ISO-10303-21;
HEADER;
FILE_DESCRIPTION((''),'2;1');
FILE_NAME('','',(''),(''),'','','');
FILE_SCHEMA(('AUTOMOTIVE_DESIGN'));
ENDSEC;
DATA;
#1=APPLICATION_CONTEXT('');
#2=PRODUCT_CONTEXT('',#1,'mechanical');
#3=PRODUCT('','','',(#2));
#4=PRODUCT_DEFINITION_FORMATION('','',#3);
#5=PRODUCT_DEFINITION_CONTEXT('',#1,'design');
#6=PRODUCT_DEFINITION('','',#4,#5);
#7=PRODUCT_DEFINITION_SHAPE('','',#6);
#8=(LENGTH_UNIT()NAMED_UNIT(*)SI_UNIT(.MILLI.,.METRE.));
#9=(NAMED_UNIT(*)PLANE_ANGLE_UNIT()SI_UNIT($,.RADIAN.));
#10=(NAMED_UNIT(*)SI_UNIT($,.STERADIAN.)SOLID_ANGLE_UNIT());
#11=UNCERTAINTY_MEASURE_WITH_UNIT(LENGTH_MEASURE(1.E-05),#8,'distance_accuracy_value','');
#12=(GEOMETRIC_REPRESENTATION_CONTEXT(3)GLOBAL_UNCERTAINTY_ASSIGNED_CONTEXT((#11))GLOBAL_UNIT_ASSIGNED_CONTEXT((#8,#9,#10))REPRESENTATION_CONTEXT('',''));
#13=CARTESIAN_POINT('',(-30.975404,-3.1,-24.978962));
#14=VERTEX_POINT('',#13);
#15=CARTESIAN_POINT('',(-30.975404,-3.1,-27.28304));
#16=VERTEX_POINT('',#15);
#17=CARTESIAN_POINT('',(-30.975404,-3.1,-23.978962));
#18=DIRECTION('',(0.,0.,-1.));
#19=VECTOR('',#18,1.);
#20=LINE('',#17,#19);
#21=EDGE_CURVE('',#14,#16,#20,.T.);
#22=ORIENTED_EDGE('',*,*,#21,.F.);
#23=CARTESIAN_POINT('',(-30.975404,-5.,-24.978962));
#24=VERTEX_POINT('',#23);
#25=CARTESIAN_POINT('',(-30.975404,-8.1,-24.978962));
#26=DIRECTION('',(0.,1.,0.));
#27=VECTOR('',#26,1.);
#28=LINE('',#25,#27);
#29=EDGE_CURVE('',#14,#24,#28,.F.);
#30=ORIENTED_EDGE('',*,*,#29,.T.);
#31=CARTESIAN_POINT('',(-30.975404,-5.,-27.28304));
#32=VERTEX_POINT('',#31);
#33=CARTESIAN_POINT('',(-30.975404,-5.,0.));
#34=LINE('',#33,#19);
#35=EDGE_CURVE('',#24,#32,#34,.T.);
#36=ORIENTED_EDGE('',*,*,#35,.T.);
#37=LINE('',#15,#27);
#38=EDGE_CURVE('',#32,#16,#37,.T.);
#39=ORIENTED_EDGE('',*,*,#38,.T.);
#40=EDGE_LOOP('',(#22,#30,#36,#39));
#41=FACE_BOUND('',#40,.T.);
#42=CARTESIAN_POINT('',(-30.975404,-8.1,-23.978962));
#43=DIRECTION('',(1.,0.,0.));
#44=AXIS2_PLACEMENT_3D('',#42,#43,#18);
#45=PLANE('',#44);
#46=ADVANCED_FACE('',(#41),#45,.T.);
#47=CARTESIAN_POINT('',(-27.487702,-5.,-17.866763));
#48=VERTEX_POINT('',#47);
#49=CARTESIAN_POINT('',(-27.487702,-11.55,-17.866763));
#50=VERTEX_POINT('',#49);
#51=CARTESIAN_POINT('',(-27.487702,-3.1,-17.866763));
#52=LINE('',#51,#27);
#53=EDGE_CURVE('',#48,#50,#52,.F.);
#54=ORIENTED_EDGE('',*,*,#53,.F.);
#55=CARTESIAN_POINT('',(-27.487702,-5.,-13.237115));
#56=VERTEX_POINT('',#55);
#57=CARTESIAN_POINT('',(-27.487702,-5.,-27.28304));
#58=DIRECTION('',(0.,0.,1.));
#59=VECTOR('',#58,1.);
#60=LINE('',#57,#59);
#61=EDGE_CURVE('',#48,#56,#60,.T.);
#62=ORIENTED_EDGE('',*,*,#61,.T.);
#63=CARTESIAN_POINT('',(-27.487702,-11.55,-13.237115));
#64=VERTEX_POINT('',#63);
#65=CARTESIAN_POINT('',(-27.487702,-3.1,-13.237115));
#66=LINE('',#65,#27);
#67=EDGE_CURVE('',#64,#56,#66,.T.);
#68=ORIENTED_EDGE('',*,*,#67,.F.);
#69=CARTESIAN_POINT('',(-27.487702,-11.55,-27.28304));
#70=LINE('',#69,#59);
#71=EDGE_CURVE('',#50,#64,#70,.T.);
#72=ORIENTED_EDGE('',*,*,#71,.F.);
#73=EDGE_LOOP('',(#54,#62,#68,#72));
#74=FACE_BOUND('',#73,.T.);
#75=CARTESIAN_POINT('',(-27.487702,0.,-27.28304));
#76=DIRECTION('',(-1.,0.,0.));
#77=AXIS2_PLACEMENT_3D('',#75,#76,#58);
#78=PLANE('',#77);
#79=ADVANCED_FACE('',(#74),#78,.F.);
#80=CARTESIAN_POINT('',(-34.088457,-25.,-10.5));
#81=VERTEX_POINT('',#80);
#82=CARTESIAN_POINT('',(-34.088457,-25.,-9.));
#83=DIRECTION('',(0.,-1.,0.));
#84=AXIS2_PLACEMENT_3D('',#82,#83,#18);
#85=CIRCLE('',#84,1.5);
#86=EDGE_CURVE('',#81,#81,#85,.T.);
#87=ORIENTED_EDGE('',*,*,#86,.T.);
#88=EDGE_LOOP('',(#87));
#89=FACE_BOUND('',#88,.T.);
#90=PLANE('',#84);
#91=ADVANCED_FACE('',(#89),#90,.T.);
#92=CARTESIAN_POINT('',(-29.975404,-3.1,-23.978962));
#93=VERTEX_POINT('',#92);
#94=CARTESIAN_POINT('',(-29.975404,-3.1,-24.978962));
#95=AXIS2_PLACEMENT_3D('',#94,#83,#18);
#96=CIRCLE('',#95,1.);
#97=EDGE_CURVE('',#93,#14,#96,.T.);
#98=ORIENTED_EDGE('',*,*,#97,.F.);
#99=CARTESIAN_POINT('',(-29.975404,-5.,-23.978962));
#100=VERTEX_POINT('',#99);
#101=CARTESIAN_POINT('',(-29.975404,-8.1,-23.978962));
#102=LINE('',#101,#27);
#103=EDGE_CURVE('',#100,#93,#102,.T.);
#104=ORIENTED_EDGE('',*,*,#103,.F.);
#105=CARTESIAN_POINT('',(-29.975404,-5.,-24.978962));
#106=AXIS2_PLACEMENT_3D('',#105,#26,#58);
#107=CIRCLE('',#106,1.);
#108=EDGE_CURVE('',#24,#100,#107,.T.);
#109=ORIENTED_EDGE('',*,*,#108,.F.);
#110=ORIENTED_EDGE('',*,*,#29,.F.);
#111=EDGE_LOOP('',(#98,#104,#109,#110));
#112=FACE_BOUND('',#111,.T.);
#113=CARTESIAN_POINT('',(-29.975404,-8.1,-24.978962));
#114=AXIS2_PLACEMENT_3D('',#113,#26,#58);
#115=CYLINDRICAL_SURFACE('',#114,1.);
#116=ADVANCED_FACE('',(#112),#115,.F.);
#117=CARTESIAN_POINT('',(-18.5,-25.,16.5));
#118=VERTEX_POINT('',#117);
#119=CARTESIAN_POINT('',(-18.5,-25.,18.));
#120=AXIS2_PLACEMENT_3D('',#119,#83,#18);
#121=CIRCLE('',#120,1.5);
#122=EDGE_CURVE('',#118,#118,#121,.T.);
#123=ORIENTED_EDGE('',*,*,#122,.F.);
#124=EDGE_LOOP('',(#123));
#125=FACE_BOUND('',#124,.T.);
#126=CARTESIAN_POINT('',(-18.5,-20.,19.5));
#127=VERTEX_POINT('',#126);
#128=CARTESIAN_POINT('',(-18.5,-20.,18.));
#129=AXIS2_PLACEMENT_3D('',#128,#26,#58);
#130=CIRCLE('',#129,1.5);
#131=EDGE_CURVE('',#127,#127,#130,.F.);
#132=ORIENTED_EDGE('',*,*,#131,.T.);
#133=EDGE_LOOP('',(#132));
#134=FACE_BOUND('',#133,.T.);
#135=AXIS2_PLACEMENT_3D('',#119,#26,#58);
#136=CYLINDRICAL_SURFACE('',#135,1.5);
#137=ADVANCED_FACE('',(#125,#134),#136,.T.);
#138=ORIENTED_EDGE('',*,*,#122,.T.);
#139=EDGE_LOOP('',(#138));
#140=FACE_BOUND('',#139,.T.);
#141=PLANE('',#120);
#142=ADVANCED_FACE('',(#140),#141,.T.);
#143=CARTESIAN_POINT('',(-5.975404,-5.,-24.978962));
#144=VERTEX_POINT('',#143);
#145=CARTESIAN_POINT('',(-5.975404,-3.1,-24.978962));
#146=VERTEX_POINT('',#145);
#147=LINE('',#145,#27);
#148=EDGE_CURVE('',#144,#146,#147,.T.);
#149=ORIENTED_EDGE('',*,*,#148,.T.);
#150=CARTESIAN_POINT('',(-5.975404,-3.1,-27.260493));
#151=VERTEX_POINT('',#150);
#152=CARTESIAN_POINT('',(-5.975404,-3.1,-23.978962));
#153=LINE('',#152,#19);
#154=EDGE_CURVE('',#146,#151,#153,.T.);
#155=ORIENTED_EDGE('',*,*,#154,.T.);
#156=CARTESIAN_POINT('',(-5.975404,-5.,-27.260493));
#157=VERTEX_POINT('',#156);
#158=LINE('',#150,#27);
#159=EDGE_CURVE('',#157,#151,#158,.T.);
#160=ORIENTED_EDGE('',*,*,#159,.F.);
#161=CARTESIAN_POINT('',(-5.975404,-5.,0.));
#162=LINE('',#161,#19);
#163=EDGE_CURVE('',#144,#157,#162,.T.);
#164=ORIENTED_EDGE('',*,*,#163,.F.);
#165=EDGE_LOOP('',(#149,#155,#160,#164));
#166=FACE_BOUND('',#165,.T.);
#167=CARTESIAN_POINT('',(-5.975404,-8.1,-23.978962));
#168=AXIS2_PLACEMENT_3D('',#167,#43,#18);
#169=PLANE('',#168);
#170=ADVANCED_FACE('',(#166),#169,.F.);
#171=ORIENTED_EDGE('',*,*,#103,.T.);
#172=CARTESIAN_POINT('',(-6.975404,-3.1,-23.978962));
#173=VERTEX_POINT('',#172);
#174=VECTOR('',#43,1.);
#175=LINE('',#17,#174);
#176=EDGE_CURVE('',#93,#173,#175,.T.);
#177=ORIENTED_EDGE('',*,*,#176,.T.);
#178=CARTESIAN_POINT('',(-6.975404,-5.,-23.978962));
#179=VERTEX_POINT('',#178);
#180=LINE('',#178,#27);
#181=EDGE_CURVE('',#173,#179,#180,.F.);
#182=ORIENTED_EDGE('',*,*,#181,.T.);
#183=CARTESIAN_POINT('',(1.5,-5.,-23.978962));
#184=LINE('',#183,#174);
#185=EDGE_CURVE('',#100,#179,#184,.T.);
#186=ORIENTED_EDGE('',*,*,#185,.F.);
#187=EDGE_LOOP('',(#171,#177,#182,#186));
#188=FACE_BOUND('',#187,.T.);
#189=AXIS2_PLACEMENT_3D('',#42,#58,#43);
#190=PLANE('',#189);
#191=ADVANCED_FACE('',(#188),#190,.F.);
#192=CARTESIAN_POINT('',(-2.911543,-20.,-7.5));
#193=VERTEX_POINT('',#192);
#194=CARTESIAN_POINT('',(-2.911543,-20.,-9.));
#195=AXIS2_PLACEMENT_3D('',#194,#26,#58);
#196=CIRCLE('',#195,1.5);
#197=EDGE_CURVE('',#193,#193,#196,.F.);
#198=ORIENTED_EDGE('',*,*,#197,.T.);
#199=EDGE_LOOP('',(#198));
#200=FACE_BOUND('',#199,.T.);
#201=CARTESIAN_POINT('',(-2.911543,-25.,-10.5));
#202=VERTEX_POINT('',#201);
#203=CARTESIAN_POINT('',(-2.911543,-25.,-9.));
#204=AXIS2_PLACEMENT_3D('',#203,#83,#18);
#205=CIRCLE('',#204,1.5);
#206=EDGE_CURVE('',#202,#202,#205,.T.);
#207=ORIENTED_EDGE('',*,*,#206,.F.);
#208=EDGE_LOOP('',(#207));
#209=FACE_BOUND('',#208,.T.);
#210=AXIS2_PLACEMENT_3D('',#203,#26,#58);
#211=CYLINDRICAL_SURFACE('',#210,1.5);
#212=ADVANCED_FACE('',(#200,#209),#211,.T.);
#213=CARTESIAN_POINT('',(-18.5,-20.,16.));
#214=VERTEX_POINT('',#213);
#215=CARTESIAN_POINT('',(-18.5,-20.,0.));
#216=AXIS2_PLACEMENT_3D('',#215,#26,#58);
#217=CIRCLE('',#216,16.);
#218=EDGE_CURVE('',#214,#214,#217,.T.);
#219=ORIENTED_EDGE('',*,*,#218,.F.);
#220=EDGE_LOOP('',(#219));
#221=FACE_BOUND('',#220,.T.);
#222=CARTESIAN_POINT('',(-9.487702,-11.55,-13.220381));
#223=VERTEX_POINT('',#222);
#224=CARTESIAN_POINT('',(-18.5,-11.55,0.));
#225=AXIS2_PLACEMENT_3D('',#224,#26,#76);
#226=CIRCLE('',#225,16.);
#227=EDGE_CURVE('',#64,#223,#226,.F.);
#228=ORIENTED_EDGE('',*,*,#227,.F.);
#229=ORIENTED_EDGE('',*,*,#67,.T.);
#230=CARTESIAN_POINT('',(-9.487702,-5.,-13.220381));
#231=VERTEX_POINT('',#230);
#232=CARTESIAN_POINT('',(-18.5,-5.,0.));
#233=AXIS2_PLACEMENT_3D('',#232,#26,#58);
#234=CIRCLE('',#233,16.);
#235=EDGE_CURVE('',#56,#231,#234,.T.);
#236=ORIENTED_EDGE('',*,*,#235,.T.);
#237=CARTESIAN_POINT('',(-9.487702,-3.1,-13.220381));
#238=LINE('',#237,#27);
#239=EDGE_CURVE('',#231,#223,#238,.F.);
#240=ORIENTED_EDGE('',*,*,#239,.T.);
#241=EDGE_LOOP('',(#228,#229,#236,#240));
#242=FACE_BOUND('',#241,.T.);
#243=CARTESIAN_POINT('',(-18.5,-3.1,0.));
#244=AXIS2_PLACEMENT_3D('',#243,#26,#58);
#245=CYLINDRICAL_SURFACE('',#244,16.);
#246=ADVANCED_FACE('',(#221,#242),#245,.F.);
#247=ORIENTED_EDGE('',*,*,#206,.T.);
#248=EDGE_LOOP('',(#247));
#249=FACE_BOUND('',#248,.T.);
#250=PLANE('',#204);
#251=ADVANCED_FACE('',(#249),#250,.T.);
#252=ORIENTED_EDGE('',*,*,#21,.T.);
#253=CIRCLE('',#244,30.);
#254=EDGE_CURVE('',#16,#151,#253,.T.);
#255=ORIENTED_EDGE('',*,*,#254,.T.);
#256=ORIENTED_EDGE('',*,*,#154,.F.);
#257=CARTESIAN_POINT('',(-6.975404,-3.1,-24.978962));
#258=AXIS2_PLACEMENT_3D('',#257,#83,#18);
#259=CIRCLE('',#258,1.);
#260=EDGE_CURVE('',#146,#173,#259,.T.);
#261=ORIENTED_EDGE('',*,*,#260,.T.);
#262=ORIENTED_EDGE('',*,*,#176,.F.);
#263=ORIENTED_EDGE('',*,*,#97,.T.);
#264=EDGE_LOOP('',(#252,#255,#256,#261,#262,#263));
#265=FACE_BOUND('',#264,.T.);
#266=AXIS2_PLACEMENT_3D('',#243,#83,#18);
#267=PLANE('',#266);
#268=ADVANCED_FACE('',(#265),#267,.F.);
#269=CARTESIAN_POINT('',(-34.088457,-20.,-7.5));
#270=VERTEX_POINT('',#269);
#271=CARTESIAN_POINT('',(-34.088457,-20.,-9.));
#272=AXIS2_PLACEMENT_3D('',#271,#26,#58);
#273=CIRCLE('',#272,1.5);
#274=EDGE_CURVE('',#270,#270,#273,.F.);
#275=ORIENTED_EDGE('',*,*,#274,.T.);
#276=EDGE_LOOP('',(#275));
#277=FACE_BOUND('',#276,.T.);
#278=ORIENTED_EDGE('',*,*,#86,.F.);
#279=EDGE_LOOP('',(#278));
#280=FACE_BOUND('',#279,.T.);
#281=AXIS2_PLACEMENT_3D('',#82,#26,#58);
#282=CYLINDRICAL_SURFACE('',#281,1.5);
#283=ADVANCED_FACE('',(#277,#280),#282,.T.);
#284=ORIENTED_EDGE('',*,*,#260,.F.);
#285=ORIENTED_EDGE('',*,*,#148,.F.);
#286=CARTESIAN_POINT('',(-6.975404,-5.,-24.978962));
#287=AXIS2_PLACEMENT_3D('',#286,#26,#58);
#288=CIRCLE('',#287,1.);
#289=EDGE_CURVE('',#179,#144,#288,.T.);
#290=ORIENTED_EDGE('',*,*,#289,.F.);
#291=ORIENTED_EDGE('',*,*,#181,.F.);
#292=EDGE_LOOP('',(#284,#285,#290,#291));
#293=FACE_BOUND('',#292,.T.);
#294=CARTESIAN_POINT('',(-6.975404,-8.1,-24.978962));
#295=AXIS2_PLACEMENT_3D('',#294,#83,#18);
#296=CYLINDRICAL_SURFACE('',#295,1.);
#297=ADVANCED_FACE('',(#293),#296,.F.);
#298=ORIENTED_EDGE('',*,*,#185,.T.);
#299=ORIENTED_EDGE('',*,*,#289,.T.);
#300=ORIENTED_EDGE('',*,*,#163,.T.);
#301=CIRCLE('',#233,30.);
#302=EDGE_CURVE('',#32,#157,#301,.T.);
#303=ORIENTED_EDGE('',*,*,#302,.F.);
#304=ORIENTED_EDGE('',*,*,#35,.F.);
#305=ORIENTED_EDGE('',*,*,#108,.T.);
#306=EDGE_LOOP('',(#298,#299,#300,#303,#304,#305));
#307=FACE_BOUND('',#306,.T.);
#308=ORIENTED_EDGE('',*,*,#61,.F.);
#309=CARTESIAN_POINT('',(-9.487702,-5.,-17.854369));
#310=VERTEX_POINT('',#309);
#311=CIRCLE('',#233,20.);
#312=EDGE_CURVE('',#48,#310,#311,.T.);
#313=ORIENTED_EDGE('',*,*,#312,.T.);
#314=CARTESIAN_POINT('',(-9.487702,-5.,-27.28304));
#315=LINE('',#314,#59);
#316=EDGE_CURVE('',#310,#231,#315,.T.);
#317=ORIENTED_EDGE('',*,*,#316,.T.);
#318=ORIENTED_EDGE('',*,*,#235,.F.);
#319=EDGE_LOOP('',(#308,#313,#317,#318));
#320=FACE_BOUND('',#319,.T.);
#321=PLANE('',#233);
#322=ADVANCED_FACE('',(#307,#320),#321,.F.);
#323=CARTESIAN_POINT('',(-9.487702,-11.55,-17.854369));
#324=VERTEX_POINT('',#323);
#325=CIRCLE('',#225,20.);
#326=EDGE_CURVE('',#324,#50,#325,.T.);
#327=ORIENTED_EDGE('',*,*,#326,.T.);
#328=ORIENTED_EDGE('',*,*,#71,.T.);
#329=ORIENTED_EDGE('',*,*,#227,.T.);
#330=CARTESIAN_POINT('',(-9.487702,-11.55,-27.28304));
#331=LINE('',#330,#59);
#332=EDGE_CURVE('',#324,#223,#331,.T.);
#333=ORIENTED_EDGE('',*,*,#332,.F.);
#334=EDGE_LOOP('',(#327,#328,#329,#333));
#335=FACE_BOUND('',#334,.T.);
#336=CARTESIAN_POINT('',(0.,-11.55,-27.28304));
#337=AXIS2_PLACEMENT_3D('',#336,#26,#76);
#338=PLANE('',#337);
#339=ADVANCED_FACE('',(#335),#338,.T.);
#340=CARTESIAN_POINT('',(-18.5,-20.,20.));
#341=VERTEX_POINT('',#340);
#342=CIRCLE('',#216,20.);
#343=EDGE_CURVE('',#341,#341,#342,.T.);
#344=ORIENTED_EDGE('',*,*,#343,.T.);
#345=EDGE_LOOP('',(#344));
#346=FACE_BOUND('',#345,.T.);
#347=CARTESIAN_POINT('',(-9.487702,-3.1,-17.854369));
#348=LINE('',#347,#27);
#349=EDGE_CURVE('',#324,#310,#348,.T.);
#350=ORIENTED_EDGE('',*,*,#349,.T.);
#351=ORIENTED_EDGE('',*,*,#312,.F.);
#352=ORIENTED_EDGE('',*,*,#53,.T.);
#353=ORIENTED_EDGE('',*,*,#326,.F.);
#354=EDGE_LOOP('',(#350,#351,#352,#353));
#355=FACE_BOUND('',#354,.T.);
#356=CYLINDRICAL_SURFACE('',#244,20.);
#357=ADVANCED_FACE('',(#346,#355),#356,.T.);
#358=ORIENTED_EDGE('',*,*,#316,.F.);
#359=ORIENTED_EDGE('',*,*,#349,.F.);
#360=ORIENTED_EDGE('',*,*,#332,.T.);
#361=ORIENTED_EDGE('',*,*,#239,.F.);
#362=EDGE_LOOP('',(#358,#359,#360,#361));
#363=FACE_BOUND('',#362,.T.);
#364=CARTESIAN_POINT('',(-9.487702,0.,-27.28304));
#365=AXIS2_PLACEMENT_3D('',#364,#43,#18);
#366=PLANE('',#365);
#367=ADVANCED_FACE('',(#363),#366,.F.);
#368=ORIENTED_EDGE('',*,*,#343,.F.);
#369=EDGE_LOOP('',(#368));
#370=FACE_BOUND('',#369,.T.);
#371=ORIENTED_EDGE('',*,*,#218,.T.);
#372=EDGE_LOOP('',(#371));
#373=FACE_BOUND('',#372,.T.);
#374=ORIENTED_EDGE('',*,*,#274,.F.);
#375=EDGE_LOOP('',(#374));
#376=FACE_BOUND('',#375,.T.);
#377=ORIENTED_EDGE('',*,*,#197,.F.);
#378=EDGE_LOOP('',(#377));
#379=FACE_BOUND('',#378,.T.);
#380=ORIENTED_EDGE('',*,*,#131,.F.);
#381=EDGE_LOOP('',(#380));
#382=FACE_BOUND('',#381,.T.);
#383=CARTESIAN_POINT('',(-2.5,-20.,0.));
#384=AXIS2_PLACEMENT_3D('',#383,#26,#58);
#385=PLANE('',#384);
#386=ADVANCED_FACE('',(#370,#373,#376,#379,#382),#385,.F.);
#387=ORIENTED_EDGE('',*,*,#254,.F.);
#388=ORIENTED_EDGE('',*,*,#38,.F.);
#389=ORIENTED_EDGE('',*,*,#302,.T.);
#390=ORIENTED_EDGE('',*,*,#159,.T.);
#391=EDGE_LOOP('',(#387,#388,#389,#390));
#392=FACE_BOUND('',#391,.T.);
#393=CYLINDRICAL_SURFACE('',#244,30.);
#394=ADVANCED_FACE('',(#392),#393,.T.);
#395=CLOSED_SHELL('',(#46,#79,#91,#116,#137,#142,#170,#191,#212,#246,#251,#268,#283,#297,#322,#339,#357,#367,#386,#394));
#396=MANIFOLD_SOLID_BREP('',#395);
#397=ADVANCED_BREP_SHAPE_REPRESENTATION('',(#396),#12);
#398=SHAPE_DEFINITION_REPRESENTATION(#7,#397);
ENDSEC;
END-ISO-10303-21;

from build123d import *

# Parameters (mm, degrees)
SKETCH4_R               = 1.5
BOSS_EXTRUDE1_DEPTH     = 5
SKETCH5_W               = 25
SKETCH5_H               = 6.621086299
CUT_EXTRUDE5_DEPTH      = 5
FILLET1_R               = 1
CUT_EXTRUDE9_DEPTH      = 77.752708656
CUT_EXTRUDE9_DEPTH_BACK = 15
MOVE_FACE1_BY           = 0.1


with BuildPart() as part:
    # Sketch2 → Revolve3 (revolve)
    with BuildSketch(Plane.XY, mode=Mode.PRIVATE) as revolve3_sk:
        Polygon((1.5, -20), (1.5, -5), (11.5, -5), (11.5, -3.1), (-18.5, -3.1), (-18.5, -5.1), (-2.5, -5.1), (-2.5, -20), align=None)
    revolve(revolve3_sk.sketch.rotate(Axis((-18.5, -3.1, 0), (0, -1, 0)), 90), axis=Axis((-18.5, -3.1, 0), (0, -1, 0)))

    # Sketch4 → Boss-Extrude1 (add)
    with BuildSketch(Plane.XZ.offset(20)):
        with Locations(Location((-2.911542732, -9, 0), (0, 0, 90))):
            Circle(SKETCH4_R)
        with Locations(Location((-18.5, 18, 0), (0, 0, 90))):
            Circle(SKETCH4_R)
        with Locations(Location((-34.088457268, -9, 0), (0, 0, 90))):
            Circle(SKETCH4_R)
    extrude(amount=BOSS_EXTRUDE1_DEPTH)

    # Sketch5 → Cut-Extrude5 (cut)
    with BuildSketch(Plane(origin=(0, -3.1, 0), x_dir=(1, 0, 0), z_dir=(0, 1, 0))):
        with Locations((-18.475404108, 27.289504664)):
            Rectangle(SKETCH5_W, SKETCH5_H)
    extrude(amount=-CUT_EXTRUDE5_DEPTH, mode=Mode.SUBTRACT)

    # Fillet1
    fillet1_edges = [part.edges().sort_by_distance(p)[0] for p in [
        (-5.975404108, -4.05, -23.978961514),
        (-30.975404108, -4.05, -23.978961514),
    ]]
    fillet(fillet1_edges, radius=FILLET1_R)

    # Sketch6 → Cut-Extrude9 (cut, two sides)
    with BuildSketch(Plane(origin=(0, 0, -23.978961514), x_dir=(-1, 0, 0), z_dir=(0, 0, -1))) as cut_extrude9_sk:
        Polygon((18.487702054, -11.55), (18.478169327, -5), (9.487702054, -5), (9.487702054, -11.55), align=None)
        Polygon((27.487702054, -5), (18.478169327, -5), (18.487702054, -11.55), (27.487702054, -11.55), align=None)
    extrude(amount=CUT_EXTRUDE9_DEPTH, mode=Mode.SUBTRACT)
    extrude(cut_extrude9_sk.sketch, amount=-CUT_EXTRUDE9_DEPTH_BACK, mode=Mode.SUBTRACT)

    # Move Face1: a face moved inward by 0.1
    extrude(part.faces().sort_by_distance((-18.501355787, -5.1, 1.924560303))[0], amount=MOVE_FACE1_BY, dir=(0, 1, 0), mode=Mode.SUBTRACT)


solid = part.part
